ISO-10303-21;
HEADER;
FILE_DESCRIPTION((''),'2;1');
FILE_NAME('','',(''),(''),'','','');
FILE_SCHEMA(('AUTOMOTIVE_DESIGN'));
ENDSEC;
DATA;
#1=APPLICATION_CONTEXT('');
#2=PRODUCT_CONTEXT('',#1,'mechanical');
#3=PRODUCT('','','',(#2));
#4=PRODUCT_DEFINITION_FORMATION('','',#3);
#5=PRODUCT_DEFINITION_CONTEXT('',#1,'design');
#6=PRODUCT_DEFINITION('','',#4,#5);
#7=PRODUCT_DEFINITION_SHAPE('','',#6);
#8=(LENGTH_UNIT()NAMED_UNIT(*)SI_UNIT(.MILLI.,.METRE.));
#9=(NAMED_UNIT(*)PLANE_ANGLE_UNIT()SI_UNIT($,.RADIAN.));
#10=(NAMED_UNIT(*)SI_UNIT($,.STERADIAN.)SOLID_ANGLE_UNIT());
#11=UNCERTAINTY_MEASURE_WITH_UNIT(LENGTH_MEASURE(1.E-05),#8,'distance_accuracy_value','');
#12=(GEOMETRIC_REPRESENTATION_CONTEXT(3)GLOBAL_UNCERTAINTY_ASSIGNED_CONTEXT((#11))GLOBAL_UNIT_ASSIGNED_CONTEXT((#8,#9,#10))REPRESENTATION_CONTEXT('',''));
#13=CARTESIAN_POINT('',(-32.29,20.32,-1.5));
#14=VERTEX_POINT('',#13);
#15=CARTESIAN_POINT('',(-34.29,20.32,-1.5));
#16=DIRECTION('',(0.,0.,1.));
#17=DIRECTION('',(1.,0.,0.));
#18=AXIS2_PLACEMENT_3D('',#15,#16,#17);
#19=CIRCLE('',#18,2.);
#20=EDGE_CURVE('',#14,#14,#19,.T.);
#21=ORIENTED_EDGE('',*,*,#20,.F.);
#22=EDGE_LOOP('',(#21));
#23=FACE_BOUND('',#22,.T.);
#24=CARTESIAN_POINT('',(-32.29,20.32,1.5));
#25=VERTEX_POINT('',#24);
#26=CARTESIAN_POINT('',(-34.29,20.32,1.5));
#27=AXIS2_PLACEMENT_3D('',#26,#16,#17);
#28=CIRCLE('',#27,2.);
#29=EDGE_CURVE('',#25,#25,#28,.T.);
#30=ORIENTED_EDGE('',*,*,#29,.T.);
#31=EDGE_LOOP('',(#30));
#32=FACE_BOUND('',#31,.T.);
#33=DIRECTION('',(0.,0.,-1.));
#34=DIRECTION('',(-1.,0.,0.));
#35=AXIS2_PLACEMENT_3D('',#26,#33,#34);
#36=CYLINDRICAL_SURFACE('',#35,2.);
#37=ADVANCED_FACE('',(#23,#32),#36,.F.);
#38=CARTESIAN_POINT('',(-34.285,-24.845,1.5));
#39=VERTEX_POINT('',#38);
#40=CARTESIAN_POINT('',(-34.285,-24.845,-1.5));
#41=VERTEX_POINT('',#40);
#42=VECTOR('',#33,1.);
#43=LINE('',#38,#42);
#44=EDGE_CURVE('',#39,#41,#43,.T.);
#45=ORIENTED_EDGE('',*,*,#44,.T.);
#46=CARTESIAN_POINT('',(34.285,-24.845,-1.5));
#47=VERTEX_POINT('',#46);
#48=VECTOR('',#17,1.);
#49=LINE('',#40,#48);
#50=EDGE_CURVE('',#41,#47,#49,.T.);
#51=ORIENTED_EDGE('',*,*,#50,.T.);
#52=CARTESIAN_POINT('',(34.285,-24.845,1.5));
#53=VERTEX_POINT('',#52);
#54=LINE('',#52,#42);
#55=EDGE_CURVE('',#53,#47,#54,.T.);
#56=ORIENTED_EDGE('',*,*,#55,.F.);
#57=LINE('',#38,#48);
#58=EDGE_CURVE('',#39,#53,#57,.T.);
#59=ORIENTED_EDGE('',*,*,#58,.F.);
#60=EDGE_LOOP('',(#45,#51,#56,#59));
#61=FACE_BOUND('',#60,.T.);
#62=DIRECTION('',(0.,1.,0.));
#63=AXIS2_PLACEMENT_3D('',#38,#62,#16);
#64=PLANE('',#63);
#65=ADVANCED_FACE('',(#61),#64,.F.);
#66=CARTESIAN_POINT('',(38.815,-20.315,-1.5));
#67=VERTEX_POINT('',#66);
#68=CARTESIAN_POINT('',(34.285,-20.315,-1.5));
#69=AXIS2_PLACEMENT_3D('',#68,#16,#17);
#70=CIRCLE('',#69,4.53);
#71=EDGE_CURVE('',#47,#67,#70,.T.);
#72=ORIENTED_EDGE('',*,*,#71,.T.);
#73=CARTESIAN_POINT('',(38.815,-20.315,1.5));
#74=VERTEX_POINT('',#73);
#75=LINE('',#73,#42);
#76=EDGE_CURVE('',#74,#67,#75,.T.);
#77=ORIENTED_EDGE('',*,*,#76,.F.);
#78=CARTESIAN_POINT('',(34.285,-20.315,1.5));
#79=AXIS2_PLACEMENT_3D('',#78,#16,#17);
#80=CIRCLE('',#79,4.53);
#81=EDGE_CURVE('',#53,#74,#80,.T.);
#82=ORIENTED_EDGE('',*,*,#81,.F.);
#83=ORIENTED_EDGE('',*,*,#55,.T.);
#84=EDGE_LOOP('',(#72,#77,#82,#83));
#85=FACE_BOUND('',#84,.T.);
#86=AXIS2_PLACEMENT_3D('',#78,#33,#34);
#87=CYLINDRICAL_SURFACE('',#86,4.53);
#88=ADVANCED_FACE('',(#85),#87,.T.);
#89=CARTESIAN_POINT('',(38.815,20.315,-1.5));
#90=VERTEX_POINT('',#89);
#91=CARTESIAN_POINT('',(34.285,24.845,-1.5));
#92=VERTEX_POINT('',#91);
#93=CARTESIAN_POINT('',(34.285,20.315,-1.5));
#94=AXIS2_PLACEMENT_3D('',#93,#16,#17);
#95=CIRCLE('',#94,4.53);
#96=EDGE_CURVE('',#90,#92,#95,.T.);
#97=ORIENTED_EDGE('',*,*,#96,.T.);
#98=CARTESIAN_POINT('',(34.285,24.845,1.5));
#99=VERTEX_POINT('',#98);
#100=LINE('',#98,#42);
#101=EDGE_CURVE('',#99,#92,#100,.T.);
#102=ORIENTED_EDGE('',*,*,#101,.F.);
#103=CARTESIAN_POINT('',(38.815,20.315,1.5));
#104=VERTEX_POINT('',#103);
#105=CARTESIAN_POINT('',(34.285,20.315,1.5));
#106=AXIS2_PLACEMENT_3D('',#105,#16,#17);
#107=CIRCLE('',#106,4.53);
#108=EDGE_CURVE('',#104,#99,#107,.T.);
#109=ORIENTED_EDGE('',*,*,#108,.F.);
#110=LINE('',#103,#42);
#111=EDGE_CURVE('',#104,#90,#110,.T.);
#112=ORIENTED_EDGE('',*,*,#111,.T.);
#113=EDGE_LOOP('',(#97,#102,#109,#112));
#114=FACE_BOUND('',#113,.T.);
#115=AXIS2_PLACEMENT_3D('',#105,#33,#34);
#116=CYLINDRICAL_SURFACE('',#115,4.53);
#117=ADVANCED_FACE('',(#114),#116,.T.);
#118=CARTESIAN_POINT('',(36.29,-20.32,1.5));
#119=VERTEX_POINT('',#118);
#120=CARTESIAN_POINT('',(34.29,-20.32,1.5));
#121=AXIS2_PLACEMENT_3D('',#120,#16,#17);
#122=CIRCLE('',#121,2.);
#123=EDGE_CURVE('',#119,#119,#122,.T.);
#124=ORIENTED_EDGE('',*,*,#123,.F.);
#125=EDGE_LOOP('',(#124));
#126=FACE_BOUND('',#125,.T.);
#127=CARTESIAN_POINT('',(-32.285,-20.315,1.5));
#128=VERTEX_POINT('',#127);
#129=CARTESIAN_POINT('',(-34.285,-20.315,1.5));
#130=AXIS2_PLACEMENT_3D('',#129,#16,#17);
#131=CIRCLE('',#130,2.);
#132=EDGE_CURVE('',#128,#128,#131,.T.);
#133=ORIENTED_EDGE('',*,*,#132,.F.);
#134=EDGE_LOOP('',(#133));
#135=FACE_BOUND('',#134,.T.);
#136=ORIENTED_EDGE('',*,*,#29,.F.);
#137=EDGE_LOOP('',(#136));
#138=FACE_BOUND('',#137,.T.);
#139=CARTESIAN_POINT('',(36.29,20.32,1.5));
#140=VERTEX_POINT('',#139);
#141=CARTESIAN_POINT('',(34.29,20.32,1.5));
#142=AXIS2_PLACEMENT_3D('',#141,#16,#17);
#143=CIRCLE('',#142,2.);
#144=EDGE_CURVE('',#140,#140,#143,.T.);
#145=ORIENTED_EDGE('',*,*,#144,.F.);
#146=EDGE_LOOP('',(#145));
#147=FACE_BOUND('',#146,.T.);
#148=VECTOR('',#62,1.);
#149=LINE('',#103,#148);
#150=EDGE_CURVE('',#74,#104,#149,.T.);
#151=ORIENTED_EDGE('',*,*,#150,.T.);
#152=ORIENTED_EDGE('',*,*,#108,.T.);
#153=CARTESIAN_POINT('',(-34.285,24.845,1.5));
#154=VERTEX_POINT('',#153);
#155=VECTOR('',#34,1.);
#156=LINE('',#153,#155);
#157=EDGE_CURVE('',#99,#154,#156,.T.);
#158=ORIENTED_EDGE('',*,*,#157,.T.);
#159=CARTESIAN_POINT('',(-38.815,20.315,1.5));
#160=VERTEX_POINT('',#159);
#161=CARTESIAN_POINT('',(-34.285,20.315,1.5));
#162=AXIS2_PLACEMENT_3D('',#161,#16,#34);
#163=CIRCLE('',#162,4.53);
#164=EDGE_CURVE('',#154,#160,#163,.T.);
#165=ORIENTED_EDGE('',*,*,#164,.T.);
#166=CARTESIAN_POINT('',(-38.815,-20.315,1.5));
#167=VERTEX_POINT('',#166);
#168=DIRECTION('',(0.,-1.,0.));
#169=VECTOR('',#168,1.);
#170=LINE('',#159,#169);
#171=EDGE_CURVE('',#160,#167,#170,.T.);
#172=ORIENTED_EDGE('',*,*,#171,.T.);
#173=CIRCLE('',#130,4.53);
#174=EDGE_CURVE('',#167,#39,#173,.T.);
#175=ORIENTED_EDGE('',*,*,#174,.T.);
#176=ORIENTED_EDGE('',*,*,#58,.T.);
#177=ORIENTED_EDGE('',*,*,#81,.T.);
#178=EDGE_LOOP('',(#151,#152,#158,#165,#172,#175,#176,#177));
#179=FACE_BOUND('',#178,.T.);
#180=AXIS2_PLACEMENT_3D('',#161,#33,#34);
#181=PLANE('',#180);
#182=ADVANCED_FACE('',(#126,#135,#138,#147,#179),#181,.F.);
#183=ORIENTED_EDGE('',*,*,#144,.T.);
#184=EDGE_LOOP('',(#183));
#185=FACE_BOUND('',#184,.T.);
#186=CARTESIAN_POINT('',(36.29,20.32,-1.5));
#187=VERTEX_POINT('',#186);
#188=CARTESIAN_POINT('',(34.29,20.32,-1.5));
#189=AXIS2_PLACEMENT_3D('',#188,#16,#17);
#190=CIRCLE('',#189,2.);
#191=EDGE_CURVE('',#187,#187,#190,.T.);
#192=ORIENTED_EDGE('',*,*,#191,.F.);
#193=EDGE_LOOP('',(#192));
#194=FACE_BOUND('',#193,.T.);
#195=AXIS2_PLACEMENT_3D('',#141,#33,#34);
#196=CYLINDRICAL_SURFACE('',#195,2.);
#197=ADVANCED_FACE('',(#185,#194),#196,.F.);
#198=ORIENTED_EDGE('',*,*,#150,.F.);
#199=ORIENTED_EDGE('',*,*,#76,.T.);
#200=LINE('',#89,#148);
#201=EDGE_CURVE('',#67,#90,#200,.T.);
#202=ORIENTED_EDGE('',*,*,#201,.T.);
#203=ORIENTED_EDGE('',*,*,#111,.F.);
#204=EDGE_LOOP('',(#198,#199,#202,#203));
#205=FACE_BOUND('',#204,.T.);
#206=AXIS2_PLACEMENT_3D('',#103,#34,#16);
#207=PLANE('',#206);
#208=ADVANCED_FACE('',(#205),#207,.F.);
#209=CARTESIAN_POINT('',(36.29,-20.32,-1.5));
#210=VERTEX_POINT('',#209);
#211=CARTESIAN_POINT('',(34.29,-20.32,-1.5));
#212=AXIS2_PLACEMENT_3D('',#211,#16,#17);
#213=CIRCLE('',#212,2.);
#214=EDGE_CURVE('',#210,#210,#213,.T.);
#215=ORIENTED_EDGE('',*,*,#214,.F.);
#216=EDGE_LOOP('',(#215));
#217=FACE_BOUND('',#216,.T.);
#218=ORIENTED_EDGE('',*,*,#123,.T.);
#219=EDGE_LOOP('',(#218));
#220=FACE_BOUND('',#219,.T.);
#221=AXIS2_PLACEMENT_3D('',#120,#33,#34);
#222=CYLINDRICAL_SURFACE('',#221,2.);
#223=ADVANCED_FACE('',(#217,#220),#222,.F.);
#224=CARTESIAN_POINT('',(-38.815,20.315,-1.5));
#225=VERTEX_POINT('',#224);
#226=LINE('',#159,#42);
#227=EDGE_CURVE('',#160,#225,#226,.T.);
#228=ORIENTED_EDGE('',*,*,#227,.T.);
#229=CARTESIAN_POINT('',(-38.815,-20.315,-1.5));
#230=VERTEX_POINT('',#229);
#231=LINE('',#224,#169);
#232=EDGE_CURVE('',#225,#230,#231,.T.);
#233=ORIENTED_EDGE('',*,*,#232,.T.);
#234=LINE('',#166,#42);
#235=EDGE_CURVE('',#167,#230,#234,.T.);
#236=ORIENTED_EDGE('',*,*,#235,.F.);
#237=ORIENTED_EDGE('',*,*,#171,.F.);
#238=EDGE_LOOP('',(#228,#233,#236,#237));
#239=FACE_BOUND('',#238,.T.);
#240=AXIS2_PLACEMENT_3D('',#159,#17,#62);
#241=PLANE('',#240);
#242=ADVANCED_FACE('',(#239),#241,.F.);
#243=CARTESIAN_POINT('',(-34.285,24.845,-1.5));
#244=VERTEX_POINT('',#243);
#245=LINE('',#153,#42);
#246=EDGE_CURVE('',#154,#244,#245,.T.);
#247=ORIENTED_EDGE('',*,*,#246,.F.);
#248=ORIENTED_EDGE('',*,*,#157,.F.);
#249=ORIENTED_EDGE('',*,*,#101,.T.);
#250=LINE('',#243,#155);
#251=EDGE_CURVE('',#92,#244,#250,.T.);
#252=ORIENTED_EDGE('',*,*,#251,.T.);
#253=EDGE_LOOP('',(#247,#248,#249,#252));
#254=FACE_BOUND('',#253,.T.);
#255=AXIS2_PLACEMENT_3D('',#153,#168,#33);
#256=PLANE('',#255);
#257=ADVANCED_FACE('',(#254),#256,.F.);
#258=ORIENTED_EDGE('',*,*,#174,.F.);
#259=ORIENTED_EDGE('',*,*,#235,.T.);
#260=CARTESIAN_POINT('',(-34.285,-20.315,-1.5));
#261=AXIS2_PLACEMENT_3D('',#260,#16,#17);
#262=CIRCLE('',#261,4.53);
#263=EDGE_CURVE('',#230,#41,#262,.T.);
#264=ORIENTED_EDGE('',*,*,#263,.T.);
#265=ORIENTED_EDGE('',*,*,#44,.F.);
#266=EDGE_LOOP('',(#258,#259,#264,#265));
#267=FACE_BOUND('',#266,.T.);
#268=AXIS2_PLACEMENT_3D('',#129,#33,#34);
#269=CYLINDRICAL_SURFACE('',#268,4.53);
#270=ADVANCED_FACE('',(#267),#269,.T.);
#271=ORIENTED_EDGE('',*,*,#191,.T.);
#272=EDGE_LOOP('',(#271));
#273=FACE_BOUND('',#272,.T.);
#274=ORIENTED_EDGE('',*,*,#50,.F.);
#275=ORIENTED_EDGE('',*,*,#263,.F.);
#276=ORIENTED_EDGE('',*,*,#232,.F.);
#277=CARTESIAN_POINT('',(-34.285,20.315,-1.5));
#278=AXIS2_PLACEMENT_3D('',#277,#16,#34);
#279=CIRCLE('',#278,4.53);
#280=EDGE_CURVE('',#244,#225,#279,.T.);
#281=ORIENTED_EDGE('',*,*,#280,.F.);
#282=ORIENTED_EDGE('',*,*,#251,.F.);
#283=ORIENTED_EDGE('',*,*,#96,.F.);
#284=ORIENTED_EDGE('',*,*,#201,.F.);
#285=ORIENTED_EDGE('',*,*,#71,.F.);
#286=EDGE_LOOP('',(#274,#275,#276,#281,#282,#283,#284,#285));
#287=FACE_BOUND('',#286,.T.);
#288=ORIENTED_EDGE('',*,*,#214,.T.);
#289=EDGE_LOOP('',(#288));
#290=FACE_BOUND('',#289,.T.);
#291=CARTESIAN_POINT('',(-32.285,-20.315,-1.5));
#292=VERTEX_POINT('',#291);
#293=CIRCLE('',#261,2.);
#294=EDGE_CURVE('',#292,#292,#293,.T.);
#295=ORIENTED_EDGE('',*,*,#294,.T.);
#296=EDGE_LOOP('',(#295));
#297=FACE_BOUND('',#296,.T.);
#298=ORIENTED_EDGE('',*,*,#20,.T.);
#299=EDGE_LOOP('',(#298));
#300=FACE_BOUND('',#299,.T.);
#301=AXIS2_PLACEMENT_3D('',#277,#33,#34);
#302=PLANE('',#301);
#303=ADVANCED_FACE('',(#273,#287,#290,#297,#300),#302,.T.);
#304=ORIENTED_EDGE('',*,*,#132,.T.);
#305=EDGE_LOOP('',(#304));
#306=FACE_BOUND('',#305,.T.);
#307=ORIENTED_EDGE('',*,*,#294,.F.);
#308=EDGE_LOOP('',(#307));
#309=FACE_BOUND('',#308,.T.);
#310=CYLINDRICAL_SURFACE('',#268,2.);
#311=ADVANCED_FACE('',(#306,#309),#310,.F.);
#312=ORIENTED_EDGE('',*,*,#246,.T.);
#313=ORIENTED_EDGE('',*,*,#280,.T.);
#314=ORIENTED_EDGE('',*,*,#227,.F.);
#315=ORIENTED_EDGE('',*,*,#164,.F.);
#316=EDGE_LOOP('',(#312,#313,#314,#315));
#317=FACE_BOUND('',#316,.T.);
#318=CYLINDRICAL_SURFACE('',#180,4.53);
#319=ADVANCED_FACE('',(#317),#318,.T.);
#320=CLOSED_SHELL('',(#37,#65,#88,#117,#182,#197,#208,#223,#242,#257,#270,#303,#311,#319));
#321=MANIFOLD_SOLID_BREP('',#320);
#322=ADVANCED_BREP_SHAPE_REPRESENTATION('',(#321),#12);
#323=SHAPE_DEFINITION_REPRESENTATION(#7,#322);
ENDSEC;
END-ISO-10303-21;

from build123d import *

# Parameters (mm, degrees)
SKETCH_1_R      = 2
EXTRUDE_1_DEPTH = 1.5


with BuildPart() as part:
    # 草图1 → 凸台-拉伸1 (new, symmetric)
    with BuildSketch(Plane.XY):
        with BuildLine():
            Line((-34.285, 24.845), (34.285, 24.845))
            ThreePointArc((34.285, 24.845), (37.488193719, 23.518193719), (38.815, 20.315))
            Line((38.815, 20.315), (38.815, -20.315))
            ThreePointArc((38.815, -20.315), (37.488193719, -23.518193719), (34.285, -24.845))
            Line((34.285, -24.845), (-34.285, -24.845))
            ThreePointArc((-34.285, -24.845), (-37.488193719, -23.518193719), (-38.815, -20.315))
            Line((-38.815, -20.315), (-38.815, 20.315))
            ThreePointArc((-38.815, 20.315), (-37.488193719, 23.518193719), (-34.285, 24.845))
        make_face()
        with Locations((34.29, 20.32)):
            Circle(SKETCH_1_R, mode=Mode.SUBTRACT)
        with Locations((34.29, -20.32)):
            Circle(SKETCH_1_R, mode=Mode.SUBTRACT)
        with Locations((-34.29, 20.32)):
            Circle(SKETCH_1_R, mode=Mode.SUBTRACT)
        with Locations((-34.285, -20.315)):
            Circle(SKETCH_1_R, mode=Mode.SUBTRACT)
    extrude(amount=EXTRUDE_1_DEPTH, both=True)


solid = part.part
